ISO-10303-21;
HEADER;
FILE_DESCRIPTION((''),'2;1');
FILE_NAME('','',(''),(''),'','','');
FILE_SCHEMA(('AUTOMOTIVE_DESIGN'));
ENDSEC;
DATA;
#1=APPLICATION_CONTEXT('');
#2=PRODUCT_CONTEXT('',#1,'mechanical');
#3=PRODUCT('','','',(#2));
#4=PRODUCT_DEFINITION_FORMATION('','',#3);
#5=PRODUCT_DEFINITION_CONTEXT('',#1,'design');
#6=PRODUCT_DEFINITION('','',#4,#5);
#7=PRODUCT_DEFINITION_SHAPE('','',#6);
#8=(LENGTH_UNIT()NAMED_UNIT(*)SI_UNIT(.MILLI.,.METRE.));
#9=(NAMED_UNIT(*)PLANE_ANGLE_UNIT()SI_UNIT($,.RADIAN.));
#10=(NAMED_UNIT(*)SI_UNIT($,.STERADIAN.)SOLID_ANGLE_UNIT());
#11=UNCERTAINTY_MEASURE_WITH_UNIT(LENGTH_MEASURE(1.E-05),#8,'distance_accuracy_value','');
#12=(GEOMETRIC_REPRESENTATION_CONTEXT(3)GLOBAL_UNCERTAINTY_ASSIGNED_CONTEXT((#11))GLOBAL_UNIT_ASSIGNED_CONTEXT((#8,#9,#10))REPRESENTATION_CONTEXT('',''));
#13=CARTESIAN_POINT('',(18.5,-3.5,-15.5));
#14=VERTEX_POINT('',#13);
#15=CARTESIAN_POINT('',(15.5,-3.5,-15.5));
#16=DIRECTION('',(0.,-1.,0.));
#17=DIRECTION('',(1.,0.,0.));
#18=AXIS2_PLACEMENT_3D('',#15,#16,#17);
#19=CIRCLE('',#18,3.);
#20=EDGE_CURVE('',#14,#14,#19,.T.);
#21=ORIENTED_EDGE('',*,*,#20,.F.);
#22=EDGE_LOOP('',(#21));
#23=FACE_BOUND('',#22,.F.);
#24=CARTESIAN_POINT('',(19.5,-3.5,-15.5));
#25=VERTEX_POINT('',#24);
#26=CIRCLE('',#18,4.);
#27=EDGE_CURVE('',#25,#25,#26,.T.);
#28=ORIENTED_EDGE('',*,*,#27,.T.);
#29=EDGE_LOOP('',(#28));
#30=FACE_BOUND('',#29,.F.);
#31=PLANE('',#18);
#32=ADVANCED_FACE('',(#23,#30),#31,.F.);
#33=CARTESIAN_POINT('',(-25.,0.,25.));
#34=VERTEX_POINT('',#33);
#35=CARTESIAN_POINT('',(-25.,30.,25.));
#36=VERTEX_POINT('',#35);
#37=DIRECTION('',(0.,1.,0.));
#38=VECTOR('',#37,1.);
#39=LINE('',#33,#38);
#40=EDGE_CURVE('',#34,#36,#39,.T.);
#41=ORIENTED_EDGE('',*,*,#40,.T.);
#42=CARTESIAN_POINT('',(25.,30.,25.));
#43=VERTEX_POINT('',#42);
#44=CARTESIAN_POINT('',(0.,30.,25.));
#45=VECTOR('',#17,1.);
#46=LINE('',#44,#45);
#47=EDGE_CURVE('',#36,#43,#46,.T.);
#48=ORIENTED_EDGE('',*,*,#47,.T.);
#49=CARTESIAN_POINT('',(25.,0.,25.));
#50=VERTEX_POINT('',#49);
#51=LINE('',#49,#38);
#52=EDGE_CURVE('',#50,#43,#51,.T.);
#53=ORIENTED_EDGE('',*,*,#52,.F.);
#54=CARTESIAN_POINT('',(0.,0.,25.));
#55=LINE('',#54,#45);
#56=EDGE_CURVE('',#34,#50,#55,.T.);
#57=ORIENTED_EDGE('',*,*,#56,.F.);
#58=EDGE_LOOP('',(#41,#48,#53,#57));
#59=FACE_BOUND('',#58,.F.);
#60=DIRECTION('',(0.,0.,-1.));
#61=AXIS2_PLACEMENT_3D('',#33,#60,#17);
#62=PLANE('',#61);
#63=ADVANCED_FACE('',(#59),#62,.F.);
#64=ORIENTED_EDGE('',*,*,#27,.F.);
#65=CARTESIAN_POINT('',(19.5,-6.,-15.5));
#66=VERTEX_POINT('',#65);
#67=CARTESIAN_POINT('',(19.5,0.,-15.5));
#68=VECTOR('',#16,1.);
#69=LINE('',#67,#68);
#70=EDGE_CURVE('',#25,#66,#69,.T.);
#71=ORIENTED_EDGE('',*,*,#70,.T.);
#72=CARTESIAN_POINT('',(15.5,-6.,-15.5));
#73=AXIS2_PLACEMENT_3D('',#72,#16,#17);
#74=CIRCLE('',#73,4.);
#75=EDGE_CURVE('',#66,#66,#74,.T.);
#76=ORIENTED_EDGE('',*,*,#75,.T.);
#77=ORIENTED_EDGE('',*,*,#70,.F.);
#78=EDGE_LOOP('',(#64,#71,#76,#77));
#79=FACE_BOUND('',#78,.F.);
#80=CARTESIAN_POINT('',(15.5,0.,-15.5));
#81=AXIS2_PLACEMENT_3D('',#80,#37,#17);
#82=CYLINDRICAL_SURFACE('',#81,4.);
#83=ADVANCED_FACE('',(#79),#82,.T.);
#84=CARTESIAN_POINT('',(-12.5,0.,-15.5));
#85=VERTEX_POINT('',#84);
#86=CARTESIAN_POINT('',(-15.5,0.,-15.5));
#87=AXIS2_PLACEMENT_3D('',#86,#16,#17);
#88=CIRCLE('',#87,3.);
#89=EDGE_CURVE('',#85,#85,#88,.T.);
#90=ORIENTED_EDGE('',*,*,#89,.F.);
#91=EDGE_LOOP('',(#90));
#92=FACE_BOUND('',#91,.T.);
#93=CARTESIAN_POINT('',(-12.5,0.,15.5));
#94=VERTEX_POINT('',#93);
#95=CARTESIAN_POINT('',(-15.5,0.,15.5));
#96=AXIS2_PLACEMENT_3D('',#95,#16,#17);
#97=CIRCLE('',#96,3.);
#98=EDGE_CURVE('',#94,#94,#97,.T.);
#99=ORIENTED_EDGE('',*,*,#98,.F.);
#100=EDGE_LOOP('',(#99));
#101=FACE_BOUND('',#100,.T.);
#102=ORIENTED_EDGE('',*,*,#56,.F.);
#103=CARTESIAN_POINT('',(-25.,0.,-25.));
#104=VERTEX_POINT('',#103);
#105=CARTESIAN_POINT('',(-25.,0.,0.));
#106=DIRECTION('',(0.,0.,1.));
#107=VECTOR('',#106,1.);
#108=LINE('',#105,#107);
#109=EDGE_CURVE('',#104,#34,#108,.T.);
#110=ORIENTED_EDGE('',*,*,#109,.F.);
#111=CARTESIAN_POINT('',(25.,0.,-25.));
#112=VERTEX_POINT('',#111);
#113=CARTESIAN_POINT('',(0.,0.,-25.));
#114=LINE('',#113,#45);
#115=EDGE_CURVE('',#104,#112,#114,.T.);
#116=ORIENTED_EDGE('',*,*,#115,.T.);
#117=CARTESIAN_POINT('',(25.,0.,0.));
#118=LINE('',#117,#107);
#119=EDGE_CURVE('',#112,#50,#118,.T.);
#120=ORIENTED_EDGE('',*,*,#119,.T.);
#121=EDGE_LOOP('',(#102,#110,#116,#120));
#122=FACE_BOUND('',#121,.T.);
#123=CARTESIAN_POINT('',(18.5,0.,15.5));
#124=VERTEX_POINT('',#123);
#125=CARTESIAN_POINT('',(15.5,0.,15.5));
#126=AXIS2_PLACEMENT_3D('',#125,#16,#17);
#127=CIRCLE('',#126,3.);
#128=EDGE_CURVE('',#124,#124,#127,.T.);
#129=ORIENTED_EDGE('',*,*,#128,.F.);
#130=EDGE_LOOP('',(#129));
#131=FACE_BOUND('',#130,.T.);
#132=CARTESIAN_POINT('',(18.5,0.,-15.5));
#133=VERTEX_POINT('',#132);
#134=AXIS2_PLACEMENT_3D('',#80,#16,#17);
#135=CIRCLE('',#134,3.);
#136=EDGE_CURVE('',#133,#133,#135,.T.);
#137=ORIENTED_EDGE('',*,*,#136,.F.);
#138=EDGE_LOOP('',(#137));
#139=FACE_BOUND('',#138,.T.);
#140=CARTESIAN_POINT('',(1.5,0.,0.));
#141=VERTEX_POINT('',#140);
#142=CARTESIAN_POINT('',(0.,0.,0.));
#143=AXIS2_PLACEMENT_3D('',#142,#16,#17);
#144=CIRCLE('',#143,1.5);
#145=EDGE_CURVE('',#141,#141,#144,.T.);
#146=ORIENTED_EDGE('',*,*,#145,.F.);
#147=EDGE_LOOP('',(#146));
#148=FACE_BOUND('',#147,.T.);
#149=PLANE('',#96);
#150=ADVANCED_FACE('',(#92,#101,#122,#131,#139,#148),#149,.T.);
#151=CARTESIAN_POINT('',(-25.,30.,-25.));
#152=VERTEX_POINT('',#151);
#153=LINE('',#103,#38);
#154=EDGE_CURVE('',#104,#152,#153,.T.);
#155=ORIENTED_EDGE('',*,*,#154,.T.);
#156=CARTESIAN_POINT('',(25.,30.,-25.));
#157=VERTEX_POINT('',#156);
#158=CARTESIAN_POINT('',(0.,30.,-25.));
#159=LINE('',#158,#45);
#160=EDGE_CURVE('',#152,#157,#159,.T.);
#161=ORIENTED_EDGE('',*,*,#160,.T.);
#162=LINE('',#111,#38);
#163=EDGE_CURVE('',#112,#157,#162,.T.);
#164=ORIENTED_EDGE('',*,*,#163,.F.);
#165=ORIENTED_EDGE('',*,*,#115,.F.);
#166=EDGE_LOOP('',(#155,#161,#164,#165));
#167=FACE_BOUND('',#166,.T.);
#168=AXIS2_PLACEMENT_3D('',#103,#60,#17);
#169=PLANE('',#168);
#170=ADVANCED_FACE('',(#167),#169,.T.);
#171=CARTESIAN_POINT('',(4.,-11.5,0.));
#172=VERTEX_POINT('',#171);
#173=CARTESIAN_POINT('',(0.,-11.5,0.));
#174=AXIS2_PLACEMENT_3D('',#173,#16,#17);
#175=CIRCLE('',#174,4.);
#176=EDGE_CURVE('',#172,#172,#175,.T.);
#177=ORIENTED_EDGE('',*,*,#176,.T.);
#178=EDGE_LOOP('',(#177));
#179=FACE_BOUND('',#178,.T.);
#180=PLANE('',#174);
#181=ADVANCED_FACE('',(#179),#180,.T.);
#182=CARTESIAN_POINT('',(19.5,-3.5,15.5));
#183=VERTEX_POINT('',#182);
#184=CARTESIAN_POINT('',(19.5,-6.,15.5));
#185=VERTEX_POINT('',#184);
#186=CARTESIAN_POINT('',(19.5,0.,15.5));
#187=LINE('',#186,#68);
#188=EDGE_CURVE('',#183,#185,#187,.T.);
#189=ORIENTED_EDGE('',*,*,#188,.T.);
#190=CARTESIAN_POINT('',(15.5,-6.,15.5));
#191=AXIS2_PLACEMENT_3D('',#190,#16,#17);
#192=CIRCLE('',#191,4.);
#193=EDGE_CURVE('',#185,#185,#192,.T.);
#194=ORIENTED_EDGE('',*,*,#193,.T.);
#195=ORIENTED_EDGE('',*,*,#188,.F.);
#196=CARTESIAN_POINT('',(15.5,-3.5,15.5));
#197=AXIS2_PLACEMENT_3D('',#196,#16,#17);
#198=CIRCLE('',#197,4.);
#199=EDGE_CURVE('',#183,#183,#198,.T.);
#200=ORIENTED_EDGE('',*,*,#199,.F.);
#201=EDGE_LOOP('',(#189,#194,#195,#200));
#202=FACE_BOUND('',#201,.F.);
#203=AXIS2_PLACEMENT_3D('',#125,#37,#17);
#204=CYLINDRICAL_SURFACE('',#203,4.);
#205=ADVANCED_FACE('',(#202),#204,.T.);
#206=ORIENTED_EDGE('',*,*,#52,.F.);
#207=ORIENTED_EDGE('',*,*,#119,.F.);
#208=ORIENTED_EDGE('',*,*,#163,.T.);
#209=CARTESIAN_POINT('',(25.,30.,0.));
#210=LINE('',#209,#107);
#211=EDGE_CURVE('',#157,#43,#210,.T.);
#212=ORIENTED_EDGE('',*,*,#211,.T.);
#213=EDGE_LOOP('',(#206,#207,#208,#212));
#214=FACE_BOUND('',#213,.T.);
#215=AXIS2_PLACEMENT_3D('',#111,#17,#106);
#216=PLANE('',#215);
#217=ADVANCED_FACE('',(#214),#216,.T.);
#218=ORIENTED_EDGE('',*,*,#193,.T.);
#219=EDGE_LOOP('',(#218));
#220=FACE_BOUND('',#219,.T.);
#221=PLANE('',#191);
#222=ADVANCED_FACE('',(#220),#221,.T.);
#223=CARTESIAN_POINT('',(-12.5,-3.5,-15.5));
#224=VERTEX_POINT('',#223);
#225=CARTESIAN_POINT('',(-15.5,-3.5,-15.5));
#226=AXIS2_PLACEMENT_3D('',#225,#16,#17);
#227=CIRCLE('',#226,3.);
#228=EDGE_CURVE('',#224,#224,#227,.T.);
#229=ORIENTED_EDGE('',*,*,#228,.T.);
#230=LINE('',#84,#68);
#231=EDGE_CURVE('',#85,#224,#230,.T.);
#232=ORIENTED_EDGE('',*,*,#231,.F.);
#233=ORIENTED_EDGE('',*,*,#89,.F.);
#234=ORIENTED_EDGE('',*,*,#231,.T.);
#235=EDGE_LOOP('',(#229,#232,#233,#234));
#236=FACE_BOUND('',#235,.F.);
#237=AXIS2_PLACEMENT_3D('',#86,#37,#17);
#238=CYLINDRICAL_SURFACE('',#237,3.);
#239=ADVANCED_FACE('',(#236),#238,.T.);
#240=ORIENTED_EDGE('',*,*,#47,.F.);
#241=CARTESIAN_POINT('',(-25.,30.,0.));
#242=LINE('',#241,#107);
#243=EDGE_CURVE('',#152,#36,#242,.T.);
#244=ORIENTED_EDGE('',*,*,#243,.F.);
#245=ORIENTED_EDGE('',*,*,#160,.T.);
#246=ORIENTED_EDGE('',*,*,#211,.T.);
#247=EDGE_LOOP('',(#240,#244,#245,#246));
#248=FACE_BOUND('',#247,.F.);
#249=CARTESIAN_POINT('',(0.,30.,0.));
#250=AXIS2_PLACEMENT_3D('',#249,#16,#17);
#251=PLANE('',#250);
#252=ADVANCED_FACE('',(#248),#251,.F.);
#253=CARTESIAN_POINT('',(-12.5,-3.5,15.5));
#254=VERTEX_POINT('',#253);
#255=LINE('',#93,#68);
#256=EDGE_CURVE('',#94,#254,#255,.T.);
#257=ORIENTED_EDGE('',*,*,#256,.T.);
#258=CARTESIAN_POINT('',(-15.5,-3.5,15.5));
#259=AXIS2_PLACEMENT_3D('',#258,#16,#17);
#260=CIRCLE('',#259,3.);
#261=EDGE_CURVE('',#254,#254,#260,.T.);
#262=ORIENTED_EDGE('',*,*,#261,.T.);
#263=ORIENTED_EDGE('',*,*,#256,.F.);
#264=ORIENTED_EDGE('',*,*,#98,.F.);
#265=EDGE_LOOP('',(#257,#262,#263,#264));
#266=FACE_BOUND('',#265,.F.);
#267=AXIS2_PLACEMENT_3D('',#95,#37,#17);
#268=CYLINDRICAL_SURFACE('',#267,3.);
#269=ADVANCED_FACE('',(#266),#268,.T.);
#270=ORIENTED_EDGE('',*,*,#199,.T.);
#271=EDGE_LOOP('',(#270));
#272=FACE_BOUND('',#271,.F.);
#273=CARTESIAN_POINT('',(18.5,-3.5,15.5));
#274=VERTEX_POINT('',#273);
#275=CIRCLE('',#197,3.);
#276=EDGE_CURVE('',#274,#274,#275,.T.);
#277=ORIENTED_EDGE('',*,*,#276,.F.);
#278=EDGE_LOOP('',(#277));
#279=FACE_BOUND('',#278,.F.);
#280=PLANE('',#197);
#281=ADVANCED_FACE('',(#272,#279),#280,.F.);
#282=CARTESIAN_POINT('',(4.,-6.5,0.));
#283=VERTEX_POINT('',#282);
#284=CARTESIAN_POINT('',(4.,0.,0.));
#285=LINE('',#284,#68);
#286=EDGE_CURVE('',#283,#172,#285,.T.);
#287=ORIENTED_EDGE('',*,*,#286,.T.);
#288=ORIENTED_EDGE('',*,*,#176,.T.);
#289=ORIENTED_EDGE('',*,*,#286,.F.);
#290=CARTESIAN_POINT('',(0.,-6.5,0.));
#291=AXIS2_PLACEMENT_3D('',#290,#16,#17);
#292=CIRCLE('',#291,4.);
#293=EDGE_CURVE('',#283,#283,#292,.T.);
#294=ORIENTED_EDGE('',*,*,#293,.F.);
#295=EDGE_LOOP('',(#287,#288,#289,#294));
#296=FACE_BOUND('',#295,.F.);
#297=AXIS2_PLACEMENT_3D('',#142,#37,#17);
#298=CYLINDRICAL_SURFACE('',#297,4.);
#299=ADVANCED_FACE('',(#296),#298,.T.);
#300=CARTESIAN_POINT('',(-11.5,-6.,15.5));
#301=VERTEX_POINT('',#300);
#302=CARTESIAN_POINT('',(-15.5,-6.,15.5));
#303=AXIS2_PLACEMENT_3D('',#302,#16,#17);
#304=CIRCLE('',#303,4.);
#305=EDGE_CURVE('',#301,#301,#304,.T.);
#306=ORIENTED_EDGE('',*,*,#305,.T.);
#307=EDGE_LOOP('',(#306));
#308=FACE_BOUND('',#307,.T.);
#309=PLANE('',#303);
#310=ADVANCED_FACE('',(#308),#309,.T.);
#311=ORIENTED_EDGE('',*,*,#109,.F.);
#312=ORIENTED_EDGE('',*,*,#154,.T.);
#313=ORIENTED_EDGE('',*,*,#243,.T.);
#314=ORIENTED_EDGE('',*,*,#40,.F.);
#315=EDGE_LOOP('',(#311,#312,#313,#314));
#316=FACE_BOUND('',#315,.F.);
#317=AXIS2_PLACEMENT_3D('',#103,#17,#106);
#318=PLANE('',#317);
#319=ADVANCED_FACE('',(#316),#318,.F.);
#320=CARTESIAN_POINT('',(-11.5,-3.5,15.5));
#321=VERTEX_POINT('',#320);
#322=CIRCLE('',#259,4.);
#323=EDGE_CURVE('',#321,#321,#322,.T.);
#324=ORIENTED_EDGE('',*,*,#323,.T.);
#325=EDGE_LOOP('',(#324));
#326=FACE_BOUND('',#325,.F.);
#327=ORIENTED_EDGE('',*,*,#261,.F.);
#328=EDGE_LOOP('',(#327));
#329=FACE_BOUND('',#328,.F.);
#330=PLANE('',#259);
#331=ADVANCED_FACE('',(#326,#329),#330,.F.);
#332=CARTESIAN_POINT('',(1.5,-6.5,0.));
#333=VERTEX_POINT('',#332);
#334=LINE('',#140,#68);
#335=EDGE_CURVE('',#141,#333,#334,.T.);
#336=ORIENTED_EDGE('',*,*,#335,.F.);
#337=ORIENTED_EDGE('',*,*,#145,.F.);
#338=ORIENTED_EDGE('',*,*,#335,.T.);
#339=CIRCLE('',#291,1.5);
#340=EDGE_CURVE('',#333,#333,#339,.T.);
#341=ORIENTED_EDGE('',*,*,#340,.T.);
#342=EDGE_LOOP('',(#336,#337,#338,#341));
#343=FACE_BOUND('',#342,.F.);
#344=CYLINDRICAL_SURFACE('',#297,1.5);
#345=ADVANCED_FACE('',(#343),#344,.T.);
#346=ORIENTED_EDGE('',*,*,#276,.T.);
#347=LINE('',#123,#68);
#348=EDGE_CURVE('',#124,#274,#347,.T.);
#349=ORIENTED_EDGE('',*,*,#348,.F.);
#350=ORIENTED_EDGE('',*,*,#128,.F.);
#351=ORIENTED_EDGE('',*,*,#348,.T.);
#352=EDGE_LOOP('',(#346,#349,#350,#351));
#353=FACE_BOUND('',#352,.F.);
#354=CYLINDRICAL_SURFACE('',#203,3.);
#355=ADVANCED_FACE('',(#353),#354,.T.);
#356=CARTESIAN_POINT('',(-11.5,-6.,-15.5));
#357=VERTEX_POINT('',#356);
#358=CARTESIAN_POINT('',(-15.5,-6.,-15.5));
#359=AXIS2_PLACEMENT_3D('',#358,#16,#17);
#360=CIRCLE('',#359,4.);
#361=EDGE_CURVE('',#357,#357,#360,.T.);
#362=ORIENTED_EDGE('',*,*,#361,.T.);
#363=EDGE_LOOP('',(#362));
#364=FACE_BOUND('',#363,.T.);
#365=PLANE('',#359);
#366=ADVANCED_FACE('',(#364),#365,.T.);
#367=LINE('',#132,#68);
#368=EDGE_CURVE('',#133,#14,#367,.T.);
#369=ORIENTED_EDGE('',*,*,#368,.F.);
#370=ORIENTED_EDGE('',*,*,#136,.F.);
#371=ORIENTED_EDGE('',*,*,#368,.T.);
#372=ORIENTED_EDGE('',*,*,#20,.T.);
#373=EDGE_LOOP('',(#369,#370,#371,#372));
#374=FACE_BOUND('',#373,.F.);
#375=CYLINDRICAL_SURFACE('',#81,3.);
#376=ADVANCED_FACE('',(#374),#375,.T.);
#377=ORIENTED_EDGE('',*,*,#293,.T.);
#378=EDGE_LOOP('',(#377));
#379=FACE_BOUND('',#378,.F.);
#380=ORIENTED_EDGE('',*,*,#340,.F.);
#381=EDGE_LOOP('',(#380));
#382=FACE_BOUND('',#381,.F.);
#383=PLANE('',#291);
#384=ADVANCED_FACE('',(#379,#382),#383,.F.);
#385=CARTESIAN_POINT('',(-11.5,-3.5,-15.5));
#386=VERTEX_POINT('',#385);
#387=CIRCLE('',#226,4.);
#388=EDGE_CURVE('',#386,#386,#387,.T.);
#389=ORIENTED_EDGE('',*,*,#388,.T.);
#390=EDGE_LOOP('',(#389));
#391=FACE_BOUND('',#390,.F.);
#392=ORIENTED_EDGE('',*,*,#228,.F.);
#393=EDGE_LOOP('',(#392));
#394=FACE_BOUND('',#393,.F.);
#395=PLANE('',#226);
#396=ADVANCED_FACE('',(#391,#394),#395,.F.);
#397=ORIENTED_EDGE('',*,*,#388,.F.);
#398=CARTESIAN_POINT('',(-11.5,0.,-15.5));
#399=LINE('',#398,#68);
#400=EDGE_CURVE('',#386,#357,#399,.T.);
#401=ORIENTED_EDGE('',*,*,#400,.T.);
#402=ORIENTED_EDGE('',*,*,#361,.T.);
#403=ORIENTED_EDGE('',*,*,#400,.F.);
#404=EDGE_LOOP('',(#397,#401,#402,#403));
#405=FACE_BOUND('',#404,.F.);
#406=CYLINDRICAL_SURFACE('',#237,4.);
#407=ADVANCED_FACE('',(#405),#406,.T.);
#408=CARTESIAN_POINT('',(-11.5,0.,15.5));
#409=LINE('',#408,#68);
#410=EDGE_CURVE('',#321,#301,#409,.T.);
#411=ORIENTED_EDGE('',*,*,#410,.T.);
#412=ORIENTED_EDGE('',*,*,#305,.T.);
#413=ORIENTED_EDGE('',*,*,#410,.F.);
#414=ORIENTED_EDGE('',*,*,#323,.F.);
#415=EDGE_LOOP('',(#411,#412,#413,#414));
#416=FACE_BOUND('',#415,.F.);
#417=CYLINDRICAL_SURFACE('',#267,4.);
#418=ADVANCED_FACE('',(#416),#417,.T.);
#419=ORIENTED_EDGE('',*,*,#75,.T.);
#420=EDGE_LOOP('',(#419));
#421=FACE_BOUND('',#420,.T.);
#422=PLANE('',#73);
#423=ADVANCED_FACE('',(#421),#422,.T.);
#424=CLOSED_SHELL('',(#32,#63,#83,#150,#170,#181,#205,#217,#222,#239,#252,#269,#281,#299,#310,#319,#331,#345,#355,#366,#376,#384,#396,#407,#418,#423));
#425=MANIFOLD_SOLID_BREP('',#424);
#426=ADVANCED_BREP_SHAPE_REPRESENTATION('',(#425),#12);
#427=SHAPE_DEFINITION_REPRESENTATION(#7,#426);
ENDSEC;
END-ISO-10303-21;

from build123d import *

# Parameters (mm, degrees)
F0_W     = 50
F0_H     = 50
F0_R     = 4
F0_R_2   = 3
F0_R_3   = 1.5
F1_DEPTH = 30
F2_DEPTH = 6
F3_DEPTH = 6
F4_DEPTH = 11.5
F5_DEPTH = 3.5
F6_DEPTH = 6.5


with BuildPart() as f1:
    # F0 (on Front) → F1 (new body)
    with BuildSketch(Plane.XZ):
        Rectangle(F0_W, F0_H)
        with Locations((-15.5, -15.5)):
            Circle(F0_R, mode=Mode.SUBTRACT)
        with Locations((15.5, -15.5)):
            Circle(F0_R, mode=Mode.SUBTRACT)
        with Locations((-15.5, 15.5)):
            Circle(F0_R, mode=Mode.SUBTRACT)
        Circle(F0_R, mode=Mode.SUBTRACT)
        with Locations((15.5, 15.5)):
            Circle(F0_R, mode=Mode.SUBTRACT)
        with Locations((-15.5, 15.5)):
            Circle(F0_R)
        with Locations((-15.5, 15.5)):
            Circle(F0_R_2, mode=Mode.SUBTRACT)
        with Locations((-15.5, -15.5)):
            Circle(F0_R)
        with Locations((-15.5, -15.5)):
            Circle(F0_R_2, mode=Mode.SUBTRACT)
        with Locations((15.5, -15.5)):
            Circle(F0_R)
        with Locations((15.5, -15.5)):
            Circle(F0_R_2, mode=Mode.SUBTRACT)
        with Locations((15.5, 15.5)):
            Circle(F0_R)
        with Locations((15.5, 15.5)):
            Circle(F0_R_2, mode=Mode.SUBTRACT)
        with Locations((15.5, -15.5)):
            Circle(F0_R_2)
        with Locations((-15.5, -15.5)):
            Circle(F0_R_2)
        with Locations((15.5, 15.5)):
            Circle(F0_R_2)
        with Locations((-15.5, 15.5)):
            Circle(F0_R_2)
        Circle(F0_R)
        Circle(F0_R_3, mode=Mode.SUBTRACT)
        Circle(F0_R_3)
    extrude(amount=-F1_DEPTH)

    # F0 (on Front) → F2 (join)
    with BuildSketch(Plane.XZ):
        with Locations((-15.5, 15.5)):
            Circle(F0_R)
        with Locations((-15.5, 15.5)):
            Circle(F0_R_2, mode=Mode.SUBTRACT)
        with Locations((15.5, 15.5)):
            Circle(F0_R)
        with Locations((15.5, 15.5)):
            Circle(F0_R_2, mode=Mode.SUBTRACT)
        with Locations((15.5, -15.5)):
            Circle(F0_R)
        with Locations((15.5, -15.5)):
            Circle(F0_R_2, mode=Mode.SUBTRACT)
        with Locations((-15.5, -15.5)):
            Circle(F0_R)
        with Locations((-15.5, -15.5)):
            Circle(F0_R_2, mode=Mode.SUBTRACT)
    extrude(amount=F2_DEPTH)

    # F0 (on Front) → F3 (join)
    with BuildSketch(Plane.XZ):
        with Locations((-15.5, 15.5)):
            Circle(F0_R_2)
        with Locations((15.5, 15.5)):
            Circle(F0_R_2)
        with Locations((15.5, -15.5)):
            Circle(F0_R_2)
        with Locations((-15.5, -15.5)):
            Circle(F0_R_2)
    extrude(amount=F3_DEPTH)

    # F0 (on Front) → F4 (join)
    with BuildSketch(Plane.XZ):
        Circle(F0_R)
        Circle(F0_R_3, mode=Mode.SUBTRACT)
        Circle(F0_R_3)
    extrude(amount=F4_DEPTH)

    # F0 (on Front) → F5 (cut)
    with BuildSketch(Plane.XZ):
        with Locations((-15.5, -15.5)):
            Circle(F0_R)
        with Locations((-15.5, -15.5)):
            Circle(F0_R_2, mode=Mode.SUBTRACT)
        with Locations((15.5, -15.5)):
            Circle(F0_R)
        with Locations((15.5, -15.5)):
            Circle(F0_R_2, mode=Mode.SUBTRACT)
        with Locations((15.5, 15.5)):
            Circle(F0_R)
        with Locations((15.5, 15.5)):
            Circle(F0_R_2, mode=Mode.SUBTRACT)
        with Locations((-15.5, 15.5)):
            Circle(F0_R)
        with Locations((-15.5, 15.5)):
            Circle(F0_R_2, mode=Mode.SUBTRACT)
    extrude(amount=F5_DEPTH, mode=Mode.SUBTRACT)

    # F0 (on Front) → F6 (cut)
    with BuildSketch(Plane.XZ):
        Circle(F0_R)
        Circle(F0_R_3, mode=Mode.SUBTRACT)
    extrude(amount=F6_DEPTH, mode=Mode.SUBTRACT)


solid = f1.part
